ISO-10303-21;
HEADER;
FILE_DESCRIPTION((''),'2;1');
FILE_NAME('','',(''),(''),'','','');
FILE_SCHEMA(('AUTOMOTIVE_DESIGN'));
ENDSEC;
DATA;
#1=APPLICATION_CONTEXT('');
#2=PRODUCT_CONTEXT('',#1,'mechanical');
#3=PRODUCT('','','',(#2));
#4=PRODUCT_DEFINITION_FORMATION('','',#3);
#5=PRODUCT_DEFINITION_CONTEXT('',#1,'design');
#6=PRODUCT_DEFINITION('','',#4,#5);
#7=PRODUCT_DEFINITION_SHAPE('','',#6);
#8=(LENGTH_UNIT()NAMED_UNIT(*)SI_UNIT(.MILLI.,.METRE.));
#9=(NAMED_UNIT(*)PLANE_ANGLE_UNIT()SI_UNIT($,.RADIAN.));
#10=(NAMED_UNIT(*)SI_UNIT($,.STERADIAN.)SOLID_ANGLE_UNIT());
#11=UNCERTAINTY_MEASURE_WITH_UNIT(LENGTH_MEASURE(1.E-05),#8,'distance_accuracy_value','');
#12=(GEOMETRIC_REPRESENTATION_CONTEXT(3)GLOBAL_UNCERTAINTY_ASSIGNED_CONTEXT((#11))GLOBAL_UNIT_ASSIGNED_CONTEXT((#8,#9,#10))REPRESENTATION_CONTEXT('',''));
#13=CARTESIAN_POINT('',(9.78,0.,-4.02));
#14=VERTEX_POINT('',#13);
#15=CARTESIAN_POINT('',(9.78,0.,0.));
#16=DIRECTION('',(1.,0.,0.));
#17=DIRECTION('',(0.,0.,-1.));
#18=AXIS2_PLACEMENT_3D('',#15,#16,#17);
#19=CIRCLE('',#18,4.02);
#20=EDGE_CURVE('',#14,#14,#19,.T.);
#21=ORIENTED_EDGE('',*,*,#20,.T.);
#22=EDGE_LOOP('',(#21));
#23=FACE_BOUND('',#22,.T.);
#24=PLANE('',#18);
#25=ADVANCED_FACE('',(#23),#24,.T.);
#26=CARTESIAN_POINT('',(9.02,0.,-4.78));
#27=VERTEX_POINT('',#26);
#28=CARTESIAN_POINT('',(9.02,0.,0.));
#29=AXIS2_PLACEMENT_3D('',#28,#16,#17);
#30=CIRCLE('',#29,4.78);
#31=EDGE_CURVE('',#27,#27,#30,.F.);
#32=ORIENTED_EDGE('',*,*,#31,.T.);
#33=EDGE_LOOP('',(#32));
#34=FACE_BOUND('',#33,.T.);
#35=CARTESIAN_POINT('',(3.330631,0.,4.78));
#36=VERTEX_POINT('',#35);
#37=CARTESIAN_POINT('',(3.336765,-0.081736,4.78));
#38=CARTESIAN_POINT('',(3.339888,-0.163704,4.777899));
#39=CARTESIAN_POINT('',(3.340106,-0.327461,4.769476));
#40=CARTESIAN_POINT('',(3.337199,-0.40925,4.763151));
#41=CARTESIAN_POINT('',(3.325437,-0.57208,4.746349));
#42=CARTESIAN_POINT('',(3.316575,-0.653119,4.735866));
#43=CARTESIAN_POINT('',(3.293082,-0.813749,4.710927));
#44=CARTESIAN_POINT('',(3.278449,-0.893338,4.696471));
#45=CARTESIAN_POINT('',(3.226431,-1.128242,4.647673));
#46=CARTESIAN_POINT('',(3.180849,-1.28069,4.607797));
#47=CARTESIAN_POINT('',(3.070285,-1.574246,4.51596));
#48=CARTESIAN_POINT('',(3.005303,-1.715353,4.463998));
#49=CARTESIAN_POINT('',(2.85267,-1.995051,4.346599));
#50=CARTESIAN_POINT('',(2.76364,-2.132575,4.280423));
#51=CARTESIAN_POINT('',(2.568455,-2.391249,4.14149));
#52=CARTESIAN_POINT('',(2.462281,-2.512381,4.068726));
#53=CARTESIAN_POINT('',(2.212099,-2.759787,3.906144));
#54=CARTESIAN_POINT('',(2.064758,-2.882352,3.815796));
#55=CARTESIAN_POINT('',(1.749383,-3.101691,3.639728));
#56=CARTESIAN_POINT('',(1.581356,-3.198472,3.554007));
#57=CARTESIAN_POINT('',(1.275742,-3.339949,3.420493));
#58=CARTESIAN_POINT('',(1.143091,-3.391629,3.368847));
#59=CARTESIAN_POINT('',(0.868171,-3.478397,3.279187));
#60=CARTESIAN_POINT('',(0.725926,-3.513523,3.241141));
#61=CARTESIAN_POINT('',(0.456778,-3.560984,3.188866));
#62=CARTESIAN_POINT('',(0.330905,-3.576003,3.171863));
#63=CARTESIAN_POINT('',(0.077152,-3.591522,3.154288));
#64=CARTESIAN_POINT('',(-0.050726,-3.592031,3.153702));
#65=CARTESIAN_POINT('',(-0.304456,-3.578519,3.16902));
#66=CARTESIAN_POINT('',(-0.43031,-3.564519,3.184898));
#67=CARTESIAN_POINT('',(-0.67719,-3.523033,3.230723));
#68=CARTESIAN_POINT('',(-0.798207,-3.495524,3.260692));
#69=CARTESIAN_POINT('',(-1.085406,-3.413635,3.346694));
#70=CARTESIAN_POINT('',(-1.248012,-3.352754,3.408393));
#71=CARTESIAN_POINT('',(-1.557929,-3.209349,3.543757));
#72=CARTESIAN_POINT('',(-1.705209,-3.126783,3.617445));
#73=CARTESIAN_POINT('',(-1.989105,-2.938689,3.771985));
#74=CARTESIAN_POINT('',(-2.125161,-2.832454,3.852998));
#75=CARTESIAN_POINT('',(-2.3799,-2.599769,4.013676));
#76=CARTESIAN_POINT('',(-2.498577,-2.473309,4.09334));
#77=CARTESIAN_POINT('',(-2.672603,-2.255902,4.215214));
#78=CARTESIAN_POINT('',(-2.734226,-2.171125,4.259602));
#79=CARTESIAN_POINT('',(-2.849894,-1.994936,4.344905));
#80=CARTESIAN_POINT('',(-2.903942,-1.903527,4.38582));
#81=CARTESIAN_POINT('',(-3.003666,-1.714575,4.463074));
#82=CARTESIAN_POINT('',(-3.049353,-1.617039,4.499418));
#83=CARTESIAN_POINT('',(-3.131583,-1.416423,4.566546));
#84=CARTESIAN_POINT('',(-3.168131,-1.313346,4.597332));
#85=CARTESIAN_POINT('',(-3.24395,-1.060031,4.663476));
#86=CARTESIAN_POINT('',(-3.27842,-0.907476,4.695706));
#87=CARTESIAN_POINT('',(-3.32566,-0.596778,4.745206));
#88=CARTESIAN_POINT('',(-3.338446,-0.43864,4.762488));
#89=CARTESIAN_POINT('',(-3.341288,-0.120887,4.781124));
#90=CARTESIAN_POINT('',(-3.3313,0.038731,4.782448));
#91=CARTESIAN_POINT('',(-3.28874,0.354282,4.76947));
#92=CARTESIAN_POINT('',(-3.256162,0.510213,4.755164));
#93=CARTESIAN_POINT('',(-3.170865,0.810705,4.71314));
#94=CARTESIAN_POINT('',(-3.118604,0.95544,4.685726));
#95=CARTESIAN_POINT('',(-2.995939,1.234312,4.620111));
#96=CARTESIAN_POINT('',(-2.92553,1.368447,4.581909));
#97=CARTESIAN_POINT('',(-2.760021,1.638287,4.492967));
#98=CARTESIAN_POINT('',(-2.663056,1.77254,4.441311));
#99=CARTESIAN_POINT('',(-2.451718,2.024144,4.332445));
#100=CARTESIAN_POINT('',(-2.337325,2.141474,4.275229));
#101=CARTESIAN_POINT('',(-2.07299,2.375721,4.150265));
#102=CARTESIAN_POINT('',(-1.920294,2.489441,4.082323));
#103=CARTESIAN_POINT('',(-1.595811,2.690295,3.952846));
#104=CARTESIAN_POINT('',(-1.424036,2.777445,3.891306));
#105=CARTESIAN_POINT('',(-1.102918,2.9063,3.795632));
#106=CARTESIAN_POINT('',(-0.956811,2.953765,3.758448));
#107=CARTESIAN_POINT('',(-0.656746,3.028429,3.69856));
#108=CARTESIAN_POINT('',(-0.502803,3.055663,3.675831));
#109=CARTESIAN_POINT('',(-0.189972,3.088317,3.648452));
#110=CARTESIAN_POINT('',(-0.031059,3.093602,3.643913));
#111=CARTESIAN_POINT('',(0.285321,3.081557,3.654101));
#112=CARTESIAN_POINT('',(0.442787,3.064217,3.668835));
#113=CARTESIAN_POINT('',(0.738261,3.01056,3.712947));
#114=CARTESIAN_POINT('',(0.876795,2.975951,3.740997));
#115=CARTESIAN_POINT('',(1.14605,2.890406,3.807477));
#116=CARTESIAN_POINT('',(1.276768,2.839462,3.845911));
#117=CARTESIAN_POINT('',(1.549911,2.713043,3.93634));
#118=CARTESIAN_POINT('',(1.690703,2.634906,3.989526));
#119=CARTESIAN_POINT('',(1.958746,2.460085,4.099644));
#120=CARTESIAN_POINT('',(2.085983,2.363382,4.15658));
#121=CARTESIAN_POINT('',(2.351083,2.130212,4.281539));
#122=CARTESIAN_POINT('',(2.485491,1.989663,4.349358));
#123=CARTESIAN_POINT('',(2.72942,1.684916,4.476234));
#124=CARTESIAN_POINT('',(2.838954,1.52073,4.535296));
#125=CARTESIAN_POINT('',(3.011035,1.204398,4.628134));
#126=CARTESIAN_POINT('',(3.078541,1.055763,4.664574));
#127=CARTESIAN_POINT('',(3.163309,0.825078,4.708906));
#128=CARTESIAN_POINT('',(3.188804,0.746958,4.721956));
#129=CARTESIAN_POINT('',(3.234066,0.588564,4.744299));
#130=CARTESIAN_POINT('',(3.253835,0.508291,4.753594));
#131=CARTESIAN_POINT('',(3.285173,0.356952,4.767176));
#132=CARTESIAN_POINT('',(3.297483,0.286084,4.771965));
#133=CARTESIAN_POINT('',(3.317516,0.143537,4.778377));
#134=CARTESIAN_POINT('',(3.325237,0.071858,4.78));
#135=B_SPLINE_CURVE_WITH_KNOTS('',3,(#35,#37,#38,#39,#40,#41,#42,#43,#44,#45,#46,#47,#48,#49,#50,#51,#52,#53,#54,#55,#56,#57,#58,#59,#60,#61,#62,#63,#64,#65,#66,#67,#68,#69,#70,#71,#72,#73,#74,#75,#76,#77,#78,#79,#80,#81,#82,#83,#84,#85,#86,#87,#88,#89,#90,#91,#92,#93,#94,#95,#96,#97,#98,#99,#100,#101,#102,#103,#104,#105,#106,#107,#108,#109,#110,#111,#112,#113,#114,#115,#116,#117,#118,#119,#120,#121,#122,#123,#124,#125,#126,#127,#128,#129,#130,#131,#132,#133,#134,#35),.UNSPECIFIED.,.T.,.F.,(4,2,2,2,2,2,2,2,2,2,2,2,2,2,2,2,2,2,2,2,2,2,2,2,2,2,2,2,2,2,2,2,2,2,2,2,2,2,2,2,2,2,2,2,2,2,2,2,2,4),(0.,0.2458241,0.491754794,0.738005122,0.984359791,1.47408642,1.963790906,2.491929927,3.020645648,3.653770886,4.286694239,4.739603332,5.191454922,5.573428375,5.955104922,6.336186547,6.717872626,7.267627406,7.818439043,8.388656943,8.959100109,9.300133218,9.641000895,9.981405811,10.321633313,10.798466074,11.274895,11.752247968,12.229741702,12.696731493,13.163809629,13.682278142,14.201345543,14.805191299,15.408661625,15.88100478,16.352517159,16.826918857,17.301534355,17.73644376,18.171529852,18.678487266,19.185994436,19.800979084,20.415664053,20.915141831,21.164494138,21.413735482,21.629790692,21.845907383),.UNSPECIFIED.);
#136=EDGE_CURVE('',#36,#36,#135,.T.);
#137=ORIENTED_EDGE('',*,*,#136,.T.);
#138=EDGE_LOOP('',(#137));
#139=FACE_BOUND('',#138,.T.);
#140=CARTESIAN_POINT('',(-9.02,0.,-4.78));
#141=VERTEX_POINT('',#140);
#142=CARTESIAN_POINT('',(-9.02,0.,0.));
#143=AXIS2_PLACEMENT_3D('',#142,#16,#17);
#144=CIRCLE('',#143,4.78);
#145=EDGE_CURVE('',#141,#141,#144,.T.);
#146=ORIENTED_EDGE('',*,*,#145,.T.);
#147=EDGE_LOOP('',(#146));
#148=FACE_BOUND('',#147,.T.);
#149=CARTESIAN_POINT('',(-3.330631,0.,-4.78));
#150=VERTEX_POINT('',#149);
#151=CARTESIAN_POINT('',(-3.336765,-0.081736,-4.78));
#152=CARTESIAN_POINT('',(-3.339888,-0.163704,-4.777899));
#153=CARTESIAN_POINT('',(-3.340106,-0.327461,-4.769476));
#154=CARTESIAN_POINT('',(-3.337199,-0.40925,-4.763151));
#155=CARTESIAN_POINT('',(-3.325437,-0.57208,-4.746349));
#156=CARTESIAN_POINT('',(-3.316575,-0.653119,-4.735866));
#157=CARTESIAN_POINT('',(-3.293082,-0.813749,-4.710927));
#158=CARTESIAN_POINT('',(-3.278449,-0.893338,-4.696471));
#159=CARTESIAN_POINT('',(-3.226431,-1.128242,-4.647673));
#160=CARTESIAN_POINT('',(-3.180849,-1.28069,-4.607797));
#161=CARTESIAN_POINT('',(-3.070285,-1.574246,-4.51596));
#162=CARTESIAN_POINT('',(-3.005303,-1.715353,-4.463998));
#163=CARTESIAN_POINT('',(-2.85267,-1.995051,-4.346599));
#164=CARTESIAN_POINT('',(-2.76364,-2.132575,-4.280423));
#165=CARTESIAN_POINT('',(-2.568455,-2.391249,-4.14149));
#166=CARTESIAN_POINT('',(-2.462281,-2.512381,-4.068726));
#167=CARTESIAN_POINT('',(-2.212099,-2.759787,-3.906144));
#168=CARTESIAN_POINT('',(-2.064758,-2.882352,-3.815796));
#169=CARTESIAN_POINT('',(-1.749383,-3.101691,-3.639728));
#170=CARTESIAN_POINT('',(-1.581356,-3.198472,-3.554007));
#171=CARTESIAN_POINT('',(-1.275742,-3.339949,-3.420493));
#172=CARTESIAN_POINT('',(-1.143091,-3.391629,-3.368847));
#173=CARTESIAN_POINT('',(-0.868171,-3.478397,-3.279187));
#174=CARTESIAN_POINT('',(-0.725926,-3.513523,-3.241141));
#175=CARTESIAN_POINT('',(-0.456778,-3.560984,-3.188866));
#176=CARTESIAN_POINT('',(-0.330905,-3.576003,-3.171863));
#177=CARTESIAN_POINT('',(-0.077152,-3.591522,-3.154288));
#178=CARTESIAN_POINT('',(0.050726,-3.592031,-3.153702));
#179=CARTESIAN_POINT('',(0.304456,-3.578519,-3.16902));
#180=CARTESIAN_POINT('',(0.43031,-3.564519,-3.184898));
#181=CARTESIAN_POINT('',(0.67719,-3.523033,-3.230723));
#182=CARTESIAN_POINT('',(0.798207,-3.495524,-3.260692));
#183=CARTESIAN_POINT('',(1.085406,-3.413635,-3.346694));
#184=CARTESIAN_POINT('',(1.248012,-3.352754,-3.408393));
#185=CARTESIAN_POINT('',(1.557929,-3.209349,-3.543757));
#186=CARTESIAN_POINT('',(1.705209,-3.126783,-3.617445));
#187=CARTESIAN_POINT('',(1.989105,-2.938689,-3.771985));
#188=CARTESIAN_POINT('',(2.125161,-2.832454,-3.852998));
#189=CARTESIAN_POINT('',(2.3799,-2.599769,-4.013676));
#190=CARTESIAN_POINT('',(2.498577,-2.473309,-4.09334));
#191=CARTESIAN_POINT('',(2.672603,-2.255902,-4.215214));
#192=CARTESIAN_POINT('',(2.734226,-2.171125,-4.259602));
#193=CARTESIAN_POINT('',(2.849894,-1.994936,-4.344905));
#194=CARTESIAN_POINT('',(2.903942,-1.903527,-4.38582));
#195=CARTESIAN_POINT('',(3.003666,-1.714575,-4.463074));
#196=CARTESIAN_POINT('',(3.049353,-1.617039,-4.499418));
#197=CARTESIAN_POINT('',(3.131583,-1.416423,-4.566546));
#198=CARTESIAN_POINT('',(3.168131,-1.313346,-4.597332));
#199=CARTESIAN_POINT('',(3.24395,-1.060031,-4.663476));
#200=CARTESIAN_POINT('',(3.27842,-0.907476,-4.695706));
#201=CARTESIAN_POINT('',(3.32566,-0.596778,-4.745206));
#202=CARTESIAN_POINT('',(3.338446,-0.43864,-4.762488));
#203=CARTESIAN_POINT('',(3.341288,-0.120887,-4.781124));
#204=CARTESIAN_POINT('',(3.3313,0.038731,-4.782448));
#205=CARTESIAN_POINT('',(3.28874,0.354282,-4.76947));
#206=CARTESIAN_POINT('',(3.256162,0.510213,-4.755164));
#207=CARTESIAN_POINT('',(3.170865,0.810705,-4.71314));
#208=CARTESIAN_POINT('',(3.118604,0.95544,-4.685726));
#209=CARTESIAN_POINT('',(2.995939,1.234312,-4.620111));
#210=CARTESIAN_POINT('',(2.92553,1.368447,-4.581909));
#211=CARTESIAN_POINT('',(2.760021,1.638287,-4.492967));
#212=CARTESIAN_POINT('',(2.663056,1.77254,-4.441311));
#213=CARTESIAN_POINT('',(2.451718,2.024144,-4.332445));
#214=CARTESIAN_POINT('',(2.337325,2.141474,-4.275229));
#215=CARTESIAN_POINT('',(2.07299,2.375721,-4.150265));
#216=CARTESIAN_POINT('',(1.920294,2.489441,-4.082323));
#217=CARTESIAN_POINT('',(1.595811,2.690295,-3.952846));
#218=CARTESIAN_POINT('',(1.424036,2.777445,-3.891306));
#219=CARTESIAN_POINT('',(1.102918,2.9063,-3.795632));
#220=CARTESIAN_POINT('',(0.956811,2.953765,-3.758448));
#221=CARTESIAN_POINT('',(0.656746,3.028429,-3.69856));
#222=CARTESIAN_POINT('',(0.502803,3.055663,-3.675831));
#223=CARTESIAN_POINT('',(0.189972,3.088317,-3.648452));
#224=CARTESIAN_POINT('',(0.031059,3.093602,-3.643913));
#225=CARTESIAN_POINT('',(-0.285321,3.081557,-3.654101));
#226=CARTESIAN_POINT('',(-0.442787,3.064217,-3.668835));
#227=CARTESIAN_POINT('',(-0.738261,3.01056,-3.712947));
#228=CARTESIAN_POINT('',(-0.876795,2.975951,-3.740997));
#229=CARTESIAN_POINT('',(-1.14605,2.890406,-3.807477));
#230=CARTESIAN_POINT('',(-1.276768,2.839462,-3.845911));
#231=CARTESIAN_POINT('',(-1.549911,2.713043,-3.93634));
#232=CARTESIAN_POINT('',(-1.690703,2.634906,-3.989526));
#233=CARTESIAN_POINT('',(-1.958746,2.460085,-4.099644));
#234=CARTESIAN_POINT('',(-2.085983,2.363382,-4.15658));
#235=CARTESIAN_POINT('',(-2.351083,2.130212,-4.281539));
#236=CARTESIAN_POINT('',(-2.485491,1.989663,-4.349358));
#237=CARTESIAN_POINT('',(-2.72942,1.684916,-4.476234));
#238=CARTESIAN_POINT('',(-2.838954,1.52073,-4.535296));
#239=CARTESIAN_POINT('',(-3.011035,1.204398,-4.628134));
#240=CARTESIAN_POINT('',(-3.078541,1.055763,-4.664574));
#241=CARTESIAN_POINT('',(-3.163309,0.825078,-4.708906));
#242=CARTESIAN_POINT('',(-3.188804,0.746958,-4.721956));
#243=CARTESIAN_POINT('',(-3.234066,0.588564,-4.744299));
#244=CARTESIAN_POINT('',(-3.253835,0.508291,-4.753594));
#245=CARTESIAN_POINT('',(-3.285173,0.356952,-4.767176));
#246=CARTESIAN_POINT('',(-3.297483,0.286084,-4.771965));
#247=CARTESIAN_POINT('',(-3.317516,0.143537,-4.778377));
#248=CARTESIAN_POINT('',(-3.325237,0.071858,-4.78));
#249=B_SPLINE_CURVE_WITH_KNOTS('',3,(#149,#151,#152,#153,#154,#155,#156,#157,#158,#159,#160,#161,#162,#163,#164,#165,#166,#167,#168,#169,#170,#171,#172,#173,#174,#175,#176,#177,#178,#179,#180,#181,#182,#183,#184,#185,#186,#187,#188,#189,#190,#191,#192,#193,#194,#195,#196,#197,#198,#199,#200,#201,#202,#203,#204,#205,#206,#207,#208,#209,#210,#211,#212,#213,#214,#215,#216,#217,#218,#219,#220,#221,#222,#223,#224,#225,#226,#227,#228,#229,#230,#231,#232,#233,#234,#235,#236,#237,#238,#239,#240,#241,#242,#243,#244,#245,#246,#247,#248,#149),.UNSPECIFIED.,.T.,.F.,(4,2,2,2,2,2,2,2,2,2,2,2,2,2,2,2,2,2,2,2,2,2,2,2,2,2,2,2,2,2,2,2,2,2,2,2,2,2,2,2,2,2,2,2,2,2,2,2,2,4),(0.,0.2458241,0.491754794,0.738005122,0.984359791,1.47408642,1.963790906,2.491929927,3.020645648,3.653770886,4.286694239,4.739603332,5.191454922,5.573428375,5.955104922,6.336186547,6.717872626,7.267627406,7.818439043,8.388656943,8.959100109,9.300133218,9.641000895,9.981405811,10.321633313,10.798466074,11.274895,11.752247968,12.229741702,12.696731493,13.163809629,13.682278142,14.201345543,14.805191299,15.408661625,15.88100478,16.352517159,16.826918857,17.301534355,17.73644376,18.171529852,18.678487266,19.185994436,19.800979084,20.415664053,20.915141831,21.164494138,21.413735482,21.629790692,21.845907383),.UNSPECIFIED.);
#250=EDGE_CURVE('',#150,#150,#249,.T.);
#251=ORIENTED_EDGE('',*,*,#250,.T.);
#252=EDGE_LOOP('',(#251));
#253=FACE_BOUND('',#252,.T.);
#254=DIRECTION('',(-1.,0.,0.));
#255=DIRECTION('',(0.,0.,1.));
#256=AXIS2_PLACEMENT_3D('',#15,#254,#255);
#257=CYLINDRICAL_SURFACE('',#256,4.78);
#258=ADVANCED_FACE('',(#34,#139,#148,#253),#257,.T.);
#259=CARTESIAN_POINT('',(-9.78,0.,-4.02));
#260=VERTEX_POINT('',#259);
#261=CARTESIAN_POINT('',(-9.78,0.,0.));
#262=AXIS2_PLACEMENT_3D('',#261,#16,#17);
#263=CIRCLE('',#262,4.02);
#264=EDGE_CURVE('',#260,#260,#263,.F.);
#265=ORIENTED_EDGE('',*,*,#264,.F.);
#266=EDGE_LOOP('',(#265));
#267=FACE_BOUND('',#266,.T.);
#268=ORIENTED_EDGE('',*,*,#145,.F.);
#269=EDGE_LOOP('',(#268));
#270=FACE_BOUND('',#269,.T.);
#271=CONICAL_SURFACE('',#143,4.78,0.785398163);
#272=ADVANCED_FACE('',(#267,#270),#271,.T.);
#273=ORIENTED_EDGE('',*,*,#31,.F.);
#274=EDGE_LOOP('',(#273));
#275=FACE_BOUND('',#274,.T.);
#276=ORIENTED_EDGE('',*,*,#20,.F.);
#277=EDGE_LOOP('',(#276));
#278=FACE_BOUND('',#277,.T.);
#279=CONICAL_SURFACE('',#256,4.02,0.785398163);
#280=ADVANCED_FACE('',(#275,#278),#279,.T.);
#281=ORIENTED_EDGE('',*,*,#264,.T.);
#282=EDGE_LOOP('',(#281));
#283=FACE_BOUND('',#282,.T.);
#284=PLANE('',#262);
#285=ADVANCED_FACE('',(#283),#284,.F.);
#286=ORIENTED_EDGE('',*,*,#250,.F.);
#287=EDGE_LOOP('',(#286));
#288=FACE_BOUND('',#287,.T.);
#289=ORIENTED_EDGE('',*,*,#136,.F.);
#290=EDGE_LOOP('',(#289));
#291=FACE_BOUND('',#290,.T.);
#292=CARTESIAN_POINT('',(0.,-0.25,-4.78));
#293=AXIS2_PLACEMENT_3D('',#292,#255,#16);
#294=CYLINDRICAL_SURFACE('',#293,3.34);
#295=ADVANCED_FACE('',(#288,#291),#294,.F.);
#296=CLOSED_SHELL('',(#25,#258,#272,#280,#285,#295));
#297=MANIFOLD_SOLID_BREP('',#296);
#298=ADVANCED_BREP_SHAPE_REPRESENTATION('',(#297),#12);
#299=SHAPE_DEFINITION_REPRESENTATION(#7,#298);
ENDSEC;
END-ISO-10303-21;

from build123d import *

# Parameters (mm, degrees)
SKETCH1_R               = 4.78
BOSS_EXTRUDE1_DEPTH     = 9.78
CUT_EXTRUDE1_DEPTH      = 12.888868743
CUT_EXTRUDE1_DEPTH_BACK = 12.888868743
SKETCH3_R               = 3.34
CHAMFER1_SIZE           = 0.76


with BuildPart() as part:
    # Sketch1 → Boss-Extrude1 (new, symmetric)
    with BuildSketch(Plane(origin=(0, 0, 0), x_dir=(0, 0, -1), z_dir=(1, 0, 0))):
        Circle(SKETCH1_R)
    extrude(amount=BOSS_EXTRUDE1_DEPTH, both=True)

    # Sketch3 → Cut-Extrude1 (cut, two sides: drawn at the far end of the back side and taken through both)
    with BuildSketch(Plane.XY.offset(-CUT_EXTRUDE1_DEPTH_BACK)):
        with Locations(Location((0, -0.25, 0), (0, 0, 4.292620915))):
            Circle(SKETCH3_R)
    extrude(amount=CUT_EXTRUDE1_DEPTH + CUT_EXTRUDE1_DEPTH_BACK, mode=Mode.SUBTRACT)

    # Chamfer1
    chamfer1_edges = [part.edges().sort_by_distance(p)[0] for p in [
        (-9.78, 0, 4.78),
        (9.78, 0, 4.78),
    ]]
    chamfer(chamfer1_edges, length=CHAMFER1_SIZE)


solid = part.part
